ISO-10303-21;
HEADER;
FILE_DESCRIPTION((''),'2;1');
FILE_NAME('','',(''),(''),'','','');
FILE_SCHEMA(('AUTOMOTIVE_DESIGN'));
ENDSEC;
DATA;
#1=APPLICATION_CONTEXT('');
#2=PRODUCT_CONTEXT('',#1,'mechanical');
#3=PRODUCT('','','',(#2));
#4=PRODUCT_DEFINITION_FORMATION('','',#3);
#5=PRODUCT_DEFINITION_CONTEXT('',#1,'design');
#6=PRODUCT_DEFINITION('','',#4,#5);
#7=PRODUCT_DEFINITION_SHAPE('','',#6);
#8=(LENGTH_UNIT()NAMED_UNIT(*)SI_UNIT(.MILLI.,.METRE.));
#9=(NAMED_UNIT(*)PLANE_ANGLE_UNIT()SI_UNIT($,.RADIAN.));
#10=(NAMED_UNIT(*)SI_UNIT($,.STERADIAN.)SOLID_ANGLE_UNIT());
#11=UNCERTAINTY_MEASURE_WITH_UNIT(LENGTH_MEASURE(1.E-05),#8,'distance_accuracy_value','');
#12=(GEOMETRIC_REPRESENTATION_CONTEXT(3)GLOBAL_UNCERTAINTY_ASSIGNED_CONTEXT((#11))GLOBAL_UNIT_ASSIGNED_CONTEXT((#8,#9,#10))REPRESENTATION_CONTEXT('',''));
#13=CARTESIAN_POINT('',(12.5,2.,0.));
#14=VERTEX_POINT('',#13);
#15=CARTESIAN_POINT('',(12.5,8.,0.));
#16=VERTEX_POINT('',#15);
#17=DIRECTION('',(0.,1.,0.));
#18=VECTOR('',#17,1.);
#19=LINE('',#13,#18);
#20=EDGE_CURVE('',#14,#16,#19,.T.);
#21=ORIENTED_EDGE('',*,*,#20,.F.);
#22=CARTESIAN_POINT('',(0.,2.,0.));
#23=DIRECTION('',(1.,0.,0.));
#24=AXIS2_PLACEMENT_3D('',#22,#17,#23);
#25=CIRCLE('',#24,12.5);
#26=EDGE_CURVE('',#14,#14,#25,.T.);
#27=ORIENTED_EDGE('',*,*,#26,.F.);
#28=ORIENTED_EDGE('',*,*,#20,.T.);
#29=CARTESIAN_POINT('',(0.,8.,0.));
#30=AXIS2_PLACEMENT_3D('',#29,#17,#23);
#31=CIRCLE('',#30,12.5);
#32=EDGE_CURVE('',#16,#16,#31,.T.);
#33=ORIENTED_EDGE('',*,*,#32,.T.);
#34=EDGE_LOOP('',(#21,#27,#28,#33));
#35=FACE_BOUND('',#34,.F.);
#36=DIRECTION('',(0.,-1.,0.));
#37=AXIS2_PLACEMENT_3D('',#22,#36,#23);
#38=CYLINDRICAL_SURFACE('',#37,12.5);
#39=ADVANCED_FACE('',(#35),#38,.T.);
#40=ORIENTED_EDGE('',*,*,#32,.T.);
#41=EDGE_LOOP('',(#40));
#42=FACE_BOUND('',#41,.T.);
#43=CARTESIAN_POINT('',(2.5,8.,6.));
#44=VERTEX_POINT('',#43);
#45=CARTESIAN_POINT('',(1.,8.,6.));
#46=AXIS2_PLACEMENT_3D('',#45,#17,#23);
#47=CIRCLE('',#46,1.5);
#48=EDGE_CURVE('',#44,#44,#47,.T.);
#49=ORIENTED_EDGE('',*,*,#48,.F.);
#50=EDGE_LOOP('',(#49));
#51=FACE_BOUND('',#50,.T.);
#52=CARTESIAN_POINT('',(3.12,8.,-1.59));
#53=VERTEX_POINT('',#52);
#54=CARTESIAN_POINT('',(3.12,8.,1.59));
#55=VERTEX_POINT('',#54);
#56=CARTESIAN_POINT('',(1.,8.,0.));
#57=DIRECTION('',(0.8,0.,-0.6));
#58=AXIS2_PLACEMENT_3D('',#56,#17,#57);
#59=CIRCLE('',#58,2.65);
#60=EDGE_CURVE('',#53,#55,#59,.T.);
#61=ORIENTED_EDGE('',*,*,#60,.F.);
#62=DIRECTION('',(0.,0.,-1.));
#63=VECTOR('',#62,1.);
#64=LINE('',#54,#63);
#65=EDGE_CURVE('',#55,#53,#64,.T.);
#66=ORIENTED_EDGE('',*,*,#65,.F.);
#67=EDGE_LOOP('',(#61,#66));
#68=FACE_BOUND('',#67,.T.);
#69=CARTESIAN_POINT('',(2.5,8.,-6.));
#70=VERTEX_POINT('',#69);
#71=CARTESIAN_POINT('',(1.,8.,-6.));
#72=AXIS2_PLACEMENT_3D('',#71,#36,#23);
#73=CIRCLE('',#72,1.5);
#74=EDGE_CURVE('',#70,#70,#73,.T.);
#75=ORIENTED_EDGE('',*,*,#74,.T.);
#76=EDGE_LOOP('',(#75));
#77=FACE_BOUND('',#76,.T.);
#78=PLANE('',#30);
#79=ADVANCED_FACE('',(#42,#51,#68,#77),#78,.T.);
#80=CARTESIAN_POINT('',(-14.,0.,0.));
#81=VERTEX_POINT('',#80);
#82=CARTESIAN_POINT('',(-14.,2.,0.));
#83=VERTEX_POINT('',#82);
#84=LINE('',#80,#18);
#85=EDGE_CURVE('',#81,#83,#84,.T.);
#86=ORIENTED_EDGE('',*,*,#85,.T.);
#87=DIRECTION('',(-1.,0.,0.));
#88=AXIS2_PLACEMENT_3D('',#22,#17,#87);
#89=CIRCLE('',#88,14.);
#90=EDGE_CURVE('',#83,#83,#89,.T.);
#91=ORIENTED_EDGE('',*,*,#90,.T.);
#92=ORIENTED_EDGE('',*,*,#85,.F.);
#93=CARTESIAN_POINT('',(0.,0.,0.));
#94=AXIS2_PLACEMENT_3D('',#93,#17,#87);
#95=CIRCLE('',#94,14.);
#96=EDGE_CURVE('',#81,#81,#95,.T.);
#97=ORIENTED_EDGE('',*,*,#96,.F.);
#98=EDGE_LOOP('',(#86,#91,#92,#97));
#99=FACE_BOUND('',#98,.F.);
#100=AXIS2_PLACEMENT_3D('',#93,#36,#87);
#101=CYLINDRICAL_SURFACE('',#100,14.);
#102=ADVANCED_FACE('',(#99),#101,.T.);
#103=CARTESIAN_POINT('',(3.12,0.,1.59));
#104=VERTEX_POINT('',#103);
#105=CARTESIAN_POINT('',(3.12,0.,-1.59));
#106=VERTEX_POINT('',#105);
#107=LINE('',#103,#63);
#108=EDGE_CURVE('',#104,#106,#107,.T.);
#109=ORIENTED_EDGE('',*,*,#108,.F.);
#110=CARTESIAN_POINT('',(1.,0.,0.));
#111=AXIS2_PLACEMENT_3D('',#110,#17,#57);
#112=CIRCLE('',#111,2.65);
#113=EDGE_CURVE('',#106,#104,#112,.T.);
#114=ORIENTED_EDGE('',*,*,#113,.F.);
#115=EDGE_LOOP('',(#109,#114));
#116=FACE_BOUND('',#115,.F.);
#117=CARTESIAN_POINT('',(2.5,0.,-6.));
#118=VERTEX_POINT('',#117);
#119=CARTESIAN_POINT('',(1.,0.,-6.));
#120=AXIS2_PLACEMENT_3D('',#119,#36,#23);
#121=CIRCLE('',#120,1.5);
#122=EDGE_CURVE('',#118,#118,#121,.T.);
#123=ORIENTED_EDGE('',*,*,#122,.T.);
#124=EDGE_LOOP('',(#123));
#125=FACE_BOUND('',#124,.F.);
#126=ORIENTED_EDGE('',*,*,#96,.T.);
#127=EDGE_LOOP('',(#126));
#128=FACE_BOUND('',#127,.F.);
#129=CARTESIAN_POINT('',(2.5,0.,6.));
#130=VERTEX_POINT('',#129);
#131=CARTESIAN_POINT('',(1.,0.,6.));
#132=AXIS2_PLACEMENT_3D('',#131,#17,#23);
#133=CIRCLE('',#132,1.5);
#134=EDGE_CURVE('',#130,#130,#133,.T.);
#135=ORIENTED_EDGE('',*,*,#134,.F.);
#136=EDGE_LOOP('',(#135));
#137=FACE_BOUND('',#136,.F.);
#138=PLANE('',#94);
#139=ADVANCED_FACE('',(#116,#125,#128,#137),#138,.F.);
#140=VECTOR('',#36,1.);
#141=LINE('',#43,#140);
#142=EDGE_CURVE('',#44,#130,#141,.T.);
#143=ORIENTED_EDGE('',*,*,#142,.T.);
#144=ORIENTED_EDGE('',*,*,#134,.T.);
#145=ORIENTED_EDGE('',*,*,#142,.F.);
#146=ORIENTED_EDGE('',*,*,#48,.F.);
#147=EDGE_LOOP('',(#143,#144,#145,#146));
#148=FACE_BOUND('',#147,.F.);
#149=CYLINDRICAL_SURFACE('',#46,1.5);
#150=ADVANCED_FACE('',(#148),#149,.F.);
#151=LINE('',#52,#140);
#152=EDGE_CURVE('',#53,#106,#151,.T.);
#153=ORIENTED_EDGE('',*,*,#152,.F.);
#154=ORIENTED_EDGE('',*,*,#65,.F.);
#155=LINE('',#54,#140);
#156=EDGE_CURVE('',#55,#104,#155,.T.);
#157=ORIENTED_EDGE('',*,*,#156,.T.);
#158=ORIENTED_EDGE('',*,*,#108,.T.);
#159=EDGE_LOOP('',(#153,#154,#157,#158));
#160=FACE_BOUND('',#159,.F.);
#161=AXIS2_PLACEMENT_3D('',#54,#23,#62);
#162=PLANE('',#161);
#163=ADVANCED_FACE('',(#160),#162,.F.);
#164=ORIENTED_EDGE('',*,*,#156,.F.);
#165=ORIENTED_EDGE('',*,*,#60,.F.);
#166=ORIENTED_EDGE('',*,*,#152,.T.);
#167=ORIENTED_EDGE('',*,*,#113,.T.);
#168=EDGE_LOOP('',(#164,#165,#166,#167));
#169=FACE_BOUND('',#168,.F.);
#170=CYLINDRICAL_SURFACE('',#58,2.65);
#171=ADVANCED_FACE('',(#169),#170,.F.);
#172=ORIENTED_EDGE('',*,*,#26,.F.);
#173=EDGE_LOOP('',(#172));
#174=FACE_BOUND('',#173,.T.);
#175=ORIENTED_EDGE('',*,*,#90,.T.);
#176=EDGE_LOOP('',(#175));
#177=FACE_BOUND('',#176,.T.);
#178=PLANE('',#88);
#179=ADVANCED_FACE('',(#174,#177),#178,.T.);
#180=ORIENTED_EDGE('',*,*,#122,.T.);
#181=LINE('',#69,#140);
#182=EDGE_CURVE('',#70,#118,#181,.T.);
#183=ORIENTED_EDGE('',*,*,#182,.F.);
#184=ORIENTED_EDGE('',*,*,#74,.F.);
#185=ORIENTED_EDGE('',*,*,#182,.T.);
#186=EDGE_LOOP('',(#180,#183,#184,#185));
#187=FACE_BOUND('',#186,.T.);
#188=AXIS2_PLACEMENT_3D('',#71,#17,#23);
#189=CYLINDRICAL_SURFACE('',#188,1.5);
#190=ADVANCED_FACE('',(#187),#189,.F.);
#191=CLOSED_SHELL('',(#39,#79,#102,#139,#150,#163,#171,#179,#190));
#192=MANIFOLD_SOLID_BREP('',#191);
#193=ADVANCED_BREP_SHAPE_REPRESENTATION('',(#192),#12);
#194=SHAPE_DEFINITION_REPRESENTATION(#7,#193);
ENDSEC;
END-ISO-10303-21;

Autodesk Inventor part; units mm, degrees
ref_plane "YZ Plane" through (0, 0, 0) normal (1, 0, 0) x (0, 1, 0)
ref_plane "XZ Plane" through (0, 0, 0) normal (0, 1, 0) x (-1, 0, 0)
ref_plane "XY Plane" through (0, 0, 0) normal (0, 0, 1) x (1, 0, 0)
sketch "Szkic1" plane through (0, 0, 0) normal (0, 1, 0) x (-1, 0, 0)
  circle A0 centre (0, 0) radius 14
  dimension "d0" = 28
extrude "Wyciągnięcie proste1" add sketch "Szkic1" along normal blind 2
sketch "Szkic2" plane through (0, 2, 0) normal (0, 1, 0) x (1, 0, 0)
  circle A0 centre (0, 0) radius 12.5
  dimension "d3" = 25
extrude "Wyciągnięcie proste2" add sketch "Szkic2" along normal blind 6
sketch "Szkic3" plane through (0, 8, 0) normal (0, 1, 0) x (1, 0, 0)
  circle A0 centre (1, -6) radius 1.5
  point P0 (0, 0)
  dimension "d6" = 3
  dimension "d10" = 6
  dimension "d11" = 1
extrude "Wyciągnięcie proste3" cut sketch "Szkic3" against normal up to surface (8 mm away)
mirror "Odbij1" about plane through (0, 0, 0) normal (0, 0, 1) of "Wyciągnięcie proste3"
sketch "Sketch5" plane through (0, 8, 0) normal (0, 1, 0) x (1, 0, 0)
  arc A0 (3.12, 1.59) -> (3.12, -1.59) centre (1, 0) ccw
  line L0 (3.12, -1.59) -> (3.12, 1.59)
  point P0 (0, 0)
  dimension "d12" = 5.3
  dimension "d13" = 3.18
  dimension "d14" = 1
  dimension "d15" = 0
extrude "Extrusion4" cut sketch "Sketch5" against normal up to surface (8 mm away)
properties part number "InputShaft2_3DPrint"
